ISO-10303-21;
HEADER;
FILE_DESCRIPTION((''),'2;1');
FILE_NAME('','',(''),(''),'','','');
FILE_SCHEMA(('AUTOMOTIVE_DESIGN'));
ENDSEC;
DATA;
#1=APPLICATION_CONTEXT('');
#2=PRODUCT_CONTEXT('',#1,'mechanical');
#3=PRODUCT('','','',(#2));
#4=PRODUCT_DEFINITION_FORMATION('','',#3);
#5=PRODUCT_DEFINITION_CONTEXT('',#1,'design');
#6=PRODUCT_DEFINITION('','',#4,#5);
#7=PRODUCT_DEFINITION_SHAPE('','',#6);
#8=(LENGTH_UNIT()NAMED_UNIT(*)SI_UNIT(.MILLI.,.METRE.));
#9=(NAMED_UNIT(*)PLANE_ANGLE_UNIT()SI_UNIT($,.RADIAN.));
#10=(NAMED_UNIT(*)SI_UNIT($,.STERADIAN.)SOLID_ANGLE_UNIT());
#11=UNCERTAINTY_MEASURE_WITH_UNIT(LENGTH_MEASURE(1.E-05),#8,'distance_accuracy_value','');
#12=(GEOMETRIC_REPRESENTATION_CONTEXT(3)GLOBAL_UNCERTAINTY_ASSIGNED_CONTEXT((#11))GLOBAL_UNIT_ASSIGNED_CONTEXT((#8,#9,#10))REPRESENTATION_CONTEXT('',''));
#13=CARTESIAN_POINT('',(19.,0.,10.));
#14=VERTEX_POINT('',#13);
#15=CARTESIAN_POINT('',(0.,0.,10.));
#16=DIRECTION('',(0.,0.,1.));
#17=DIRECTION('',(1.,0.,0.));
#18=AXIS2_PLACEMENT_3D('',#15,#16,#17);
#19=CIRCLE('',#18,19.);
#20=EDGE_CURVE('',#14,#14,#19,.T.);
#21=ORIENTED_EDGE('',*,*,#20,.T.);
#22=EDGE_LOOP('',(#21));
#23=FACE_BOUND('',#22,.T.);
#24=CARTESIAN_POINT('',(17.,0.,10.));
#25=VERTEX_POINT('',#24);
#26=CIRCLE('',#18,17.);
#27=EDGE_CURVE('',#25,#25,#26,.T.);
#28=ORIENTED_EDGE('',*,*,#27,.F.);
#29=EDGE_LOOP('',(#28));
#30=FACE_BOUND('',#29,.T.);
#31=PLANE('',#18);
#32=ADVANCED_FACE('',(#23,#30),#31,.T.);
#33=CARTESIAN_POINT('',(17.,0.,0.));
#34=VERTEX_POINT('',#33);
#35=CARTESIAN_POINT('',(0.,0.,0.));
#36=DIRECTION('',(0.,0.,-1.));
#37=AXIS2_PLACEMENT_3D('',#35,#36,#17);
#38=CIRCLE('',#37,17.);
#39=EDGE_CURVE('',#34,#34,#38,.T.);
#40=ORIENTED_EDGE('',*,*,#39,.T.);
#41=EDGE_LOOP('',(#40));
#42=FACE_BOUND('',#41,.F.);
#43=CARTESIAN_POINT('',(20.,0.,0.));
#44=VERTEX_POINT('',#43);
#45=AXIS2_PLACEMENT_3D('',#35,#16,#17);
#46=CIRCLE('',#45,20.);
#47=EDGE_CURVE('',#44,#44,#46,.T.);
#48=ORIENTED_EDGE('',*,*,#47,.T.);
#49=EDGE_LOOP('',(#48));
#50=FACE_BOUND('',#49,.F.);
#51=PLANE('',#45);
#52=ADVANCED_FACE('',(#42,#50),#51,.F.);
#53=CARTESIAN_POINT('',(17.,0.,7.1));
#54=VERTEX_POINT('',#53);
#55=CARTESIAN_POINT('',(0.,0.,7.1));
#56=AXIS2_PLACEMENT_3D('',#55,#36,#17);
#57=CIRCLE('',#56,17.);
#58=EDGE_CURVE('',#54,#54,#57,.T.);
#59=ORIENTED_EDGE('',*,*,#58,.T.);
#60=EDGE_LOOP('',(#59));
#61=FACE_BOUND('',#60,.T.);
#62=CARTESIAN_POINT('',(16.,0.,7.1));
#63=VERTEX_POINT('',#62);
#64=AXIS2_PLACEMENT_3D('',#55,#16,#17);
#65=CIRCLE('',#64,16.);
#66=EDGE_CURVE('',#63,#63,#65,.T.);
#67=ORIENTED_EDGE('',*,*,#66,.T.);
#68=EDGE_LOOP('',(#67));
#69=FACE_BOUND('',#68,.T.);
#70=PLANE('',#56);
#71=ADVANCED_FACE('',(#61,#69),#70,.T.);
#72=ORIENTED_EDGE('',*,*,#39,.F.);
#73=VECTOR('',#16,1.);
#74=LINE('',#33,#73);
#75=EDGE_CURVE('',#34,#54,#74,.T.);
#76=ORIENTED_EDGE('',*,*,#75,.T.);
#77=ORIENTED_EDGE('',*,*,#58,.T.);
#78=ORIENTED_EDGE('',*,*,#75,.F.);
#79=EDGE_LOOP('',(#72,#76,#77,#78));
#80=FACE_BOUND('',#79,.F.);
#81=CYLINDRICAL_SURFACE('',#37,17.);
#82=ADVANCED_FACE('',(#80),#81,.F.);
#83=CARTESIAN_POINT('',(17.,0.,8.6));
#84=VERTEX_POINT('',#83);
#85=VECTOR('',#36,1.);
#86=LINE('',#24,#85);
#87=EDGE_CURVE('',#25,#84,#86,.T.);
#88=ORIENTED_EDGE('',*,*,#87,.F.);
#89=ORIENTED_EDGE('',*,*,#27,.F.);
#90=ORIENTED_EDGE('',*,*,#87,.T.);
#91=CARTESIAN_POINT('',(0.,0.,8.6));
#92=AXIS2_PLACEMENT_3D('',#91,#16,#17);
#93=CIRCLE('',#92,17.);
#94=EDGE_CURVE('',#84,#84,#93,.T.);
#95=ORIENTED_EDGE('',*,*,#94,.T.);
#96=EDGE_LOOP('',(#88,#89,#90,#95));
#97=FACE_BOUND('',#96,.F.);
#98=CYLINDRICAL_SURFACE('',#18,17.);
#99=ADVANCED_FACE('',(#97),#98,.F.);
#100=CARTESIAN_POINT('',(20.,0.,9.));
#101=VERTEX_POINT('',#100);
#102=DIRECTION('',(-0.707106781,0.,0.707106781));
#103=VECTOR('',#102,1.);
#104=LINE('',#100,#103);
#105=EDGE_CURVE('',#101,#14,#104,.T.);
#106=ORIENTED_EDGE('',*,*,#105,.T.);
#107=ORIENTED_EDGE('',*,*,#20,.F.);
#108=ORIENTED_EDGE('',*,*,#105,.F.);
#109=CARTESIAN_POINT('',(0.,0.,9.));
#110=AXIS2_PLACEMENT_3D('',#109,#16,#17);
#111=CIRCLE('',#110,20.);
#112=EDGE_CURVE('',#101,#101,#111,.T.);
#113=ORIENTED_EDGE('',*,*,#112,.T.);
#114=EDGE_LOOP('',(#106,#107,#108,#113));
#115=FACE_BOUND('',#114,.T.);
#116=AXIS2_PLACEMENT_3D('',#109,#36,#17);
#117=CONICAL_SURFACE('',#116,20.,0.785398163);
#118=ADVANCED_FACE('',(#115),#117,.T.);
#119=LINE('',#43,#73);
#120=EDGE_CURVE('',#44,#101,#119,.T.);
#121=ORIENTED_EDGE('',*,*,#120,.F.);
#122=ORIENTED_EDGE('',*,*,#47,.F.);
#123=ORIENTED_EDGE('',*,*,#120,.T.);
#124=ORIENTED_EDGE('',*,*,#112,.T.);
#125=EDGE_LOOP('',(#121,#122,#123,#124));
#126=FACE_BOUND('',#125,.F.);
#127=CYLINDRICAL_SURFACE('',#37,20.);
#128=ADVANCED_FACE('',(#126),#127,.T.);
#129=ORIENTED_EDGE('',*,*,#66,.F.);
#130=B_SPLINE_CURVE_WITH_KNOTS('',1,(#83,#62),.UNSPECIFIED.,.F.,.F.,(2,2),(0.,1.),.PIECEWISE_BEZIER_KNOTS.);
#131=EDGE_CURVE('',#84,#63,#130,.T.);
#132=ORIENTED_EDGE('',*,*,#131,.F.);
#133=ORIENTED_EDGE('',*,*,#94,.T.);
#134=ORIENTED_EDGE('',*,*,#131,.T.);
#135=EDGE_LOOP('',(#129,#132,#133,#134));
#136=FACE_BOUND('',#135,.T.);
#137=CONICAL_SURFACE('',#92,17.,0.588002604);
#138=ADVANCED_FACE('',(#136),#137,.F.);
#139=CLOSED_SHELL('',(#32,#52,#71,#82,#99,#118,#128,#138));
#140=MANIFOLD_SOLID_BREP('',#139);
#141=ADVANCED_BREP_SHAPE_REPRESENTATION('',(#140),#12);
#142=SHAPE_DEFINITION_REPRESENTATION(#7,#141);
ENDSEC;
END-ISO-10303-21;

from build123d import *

# Parameters (mm, degrees)
F0_R      = 20
F1_DEPTH  = 10
F2_R      = 17
F3_DEPTH  = 1.4
F3_FACE_R = 17
F5_R      = 16
F7_R      = 17
F8_DEPTH  = 7.1
F9_SIZE   = 1


with BuildPart() as f1:
    # F0 (on Top) → F1 (new body)
    with BuildSketch(Plane.XY):
        Circle(F0_R)
    extrude(amount=F1_DEPTH)

    # F2 (on face) → F3 (cut)
    with BuildSketch(Plane.XY.offset(10)):
        Circle(F2_R)
    extrude(amount=-F3_DEPTH, mode=Mode.SUBTRACT)

    # F3_face (on face) → F6 section 0
    with BuildSketch(Plane.XY.offset(8.6)):
        Circle(F3_FACE_R)
    # F5 (on offset) → F6 section 1
    with BuildSketch(Plane.XY.offset(7.1)):
        Circle(F5_R)
    loft(mode=Mode.SUBTRACT)

    # F7 (on face) → F8 (cut, through all)
    with BuildSketch(Plane(origin=(0, 0, 0), x_dir=(1, 0, 0), z_dir=(0, 0, -1))):
        Circle(F7_R)
    extrude(amount=-F8_DEPTH, mode=Mode.SUBTRACT)

    # F9
    f9_edges = [f1.edges().sort_by_distance(p)[0] for p in [
        (-20, 0, 10),
    ]]
    chamfer(f9_edges, length=F9_SIZE)


solid = f1.part
